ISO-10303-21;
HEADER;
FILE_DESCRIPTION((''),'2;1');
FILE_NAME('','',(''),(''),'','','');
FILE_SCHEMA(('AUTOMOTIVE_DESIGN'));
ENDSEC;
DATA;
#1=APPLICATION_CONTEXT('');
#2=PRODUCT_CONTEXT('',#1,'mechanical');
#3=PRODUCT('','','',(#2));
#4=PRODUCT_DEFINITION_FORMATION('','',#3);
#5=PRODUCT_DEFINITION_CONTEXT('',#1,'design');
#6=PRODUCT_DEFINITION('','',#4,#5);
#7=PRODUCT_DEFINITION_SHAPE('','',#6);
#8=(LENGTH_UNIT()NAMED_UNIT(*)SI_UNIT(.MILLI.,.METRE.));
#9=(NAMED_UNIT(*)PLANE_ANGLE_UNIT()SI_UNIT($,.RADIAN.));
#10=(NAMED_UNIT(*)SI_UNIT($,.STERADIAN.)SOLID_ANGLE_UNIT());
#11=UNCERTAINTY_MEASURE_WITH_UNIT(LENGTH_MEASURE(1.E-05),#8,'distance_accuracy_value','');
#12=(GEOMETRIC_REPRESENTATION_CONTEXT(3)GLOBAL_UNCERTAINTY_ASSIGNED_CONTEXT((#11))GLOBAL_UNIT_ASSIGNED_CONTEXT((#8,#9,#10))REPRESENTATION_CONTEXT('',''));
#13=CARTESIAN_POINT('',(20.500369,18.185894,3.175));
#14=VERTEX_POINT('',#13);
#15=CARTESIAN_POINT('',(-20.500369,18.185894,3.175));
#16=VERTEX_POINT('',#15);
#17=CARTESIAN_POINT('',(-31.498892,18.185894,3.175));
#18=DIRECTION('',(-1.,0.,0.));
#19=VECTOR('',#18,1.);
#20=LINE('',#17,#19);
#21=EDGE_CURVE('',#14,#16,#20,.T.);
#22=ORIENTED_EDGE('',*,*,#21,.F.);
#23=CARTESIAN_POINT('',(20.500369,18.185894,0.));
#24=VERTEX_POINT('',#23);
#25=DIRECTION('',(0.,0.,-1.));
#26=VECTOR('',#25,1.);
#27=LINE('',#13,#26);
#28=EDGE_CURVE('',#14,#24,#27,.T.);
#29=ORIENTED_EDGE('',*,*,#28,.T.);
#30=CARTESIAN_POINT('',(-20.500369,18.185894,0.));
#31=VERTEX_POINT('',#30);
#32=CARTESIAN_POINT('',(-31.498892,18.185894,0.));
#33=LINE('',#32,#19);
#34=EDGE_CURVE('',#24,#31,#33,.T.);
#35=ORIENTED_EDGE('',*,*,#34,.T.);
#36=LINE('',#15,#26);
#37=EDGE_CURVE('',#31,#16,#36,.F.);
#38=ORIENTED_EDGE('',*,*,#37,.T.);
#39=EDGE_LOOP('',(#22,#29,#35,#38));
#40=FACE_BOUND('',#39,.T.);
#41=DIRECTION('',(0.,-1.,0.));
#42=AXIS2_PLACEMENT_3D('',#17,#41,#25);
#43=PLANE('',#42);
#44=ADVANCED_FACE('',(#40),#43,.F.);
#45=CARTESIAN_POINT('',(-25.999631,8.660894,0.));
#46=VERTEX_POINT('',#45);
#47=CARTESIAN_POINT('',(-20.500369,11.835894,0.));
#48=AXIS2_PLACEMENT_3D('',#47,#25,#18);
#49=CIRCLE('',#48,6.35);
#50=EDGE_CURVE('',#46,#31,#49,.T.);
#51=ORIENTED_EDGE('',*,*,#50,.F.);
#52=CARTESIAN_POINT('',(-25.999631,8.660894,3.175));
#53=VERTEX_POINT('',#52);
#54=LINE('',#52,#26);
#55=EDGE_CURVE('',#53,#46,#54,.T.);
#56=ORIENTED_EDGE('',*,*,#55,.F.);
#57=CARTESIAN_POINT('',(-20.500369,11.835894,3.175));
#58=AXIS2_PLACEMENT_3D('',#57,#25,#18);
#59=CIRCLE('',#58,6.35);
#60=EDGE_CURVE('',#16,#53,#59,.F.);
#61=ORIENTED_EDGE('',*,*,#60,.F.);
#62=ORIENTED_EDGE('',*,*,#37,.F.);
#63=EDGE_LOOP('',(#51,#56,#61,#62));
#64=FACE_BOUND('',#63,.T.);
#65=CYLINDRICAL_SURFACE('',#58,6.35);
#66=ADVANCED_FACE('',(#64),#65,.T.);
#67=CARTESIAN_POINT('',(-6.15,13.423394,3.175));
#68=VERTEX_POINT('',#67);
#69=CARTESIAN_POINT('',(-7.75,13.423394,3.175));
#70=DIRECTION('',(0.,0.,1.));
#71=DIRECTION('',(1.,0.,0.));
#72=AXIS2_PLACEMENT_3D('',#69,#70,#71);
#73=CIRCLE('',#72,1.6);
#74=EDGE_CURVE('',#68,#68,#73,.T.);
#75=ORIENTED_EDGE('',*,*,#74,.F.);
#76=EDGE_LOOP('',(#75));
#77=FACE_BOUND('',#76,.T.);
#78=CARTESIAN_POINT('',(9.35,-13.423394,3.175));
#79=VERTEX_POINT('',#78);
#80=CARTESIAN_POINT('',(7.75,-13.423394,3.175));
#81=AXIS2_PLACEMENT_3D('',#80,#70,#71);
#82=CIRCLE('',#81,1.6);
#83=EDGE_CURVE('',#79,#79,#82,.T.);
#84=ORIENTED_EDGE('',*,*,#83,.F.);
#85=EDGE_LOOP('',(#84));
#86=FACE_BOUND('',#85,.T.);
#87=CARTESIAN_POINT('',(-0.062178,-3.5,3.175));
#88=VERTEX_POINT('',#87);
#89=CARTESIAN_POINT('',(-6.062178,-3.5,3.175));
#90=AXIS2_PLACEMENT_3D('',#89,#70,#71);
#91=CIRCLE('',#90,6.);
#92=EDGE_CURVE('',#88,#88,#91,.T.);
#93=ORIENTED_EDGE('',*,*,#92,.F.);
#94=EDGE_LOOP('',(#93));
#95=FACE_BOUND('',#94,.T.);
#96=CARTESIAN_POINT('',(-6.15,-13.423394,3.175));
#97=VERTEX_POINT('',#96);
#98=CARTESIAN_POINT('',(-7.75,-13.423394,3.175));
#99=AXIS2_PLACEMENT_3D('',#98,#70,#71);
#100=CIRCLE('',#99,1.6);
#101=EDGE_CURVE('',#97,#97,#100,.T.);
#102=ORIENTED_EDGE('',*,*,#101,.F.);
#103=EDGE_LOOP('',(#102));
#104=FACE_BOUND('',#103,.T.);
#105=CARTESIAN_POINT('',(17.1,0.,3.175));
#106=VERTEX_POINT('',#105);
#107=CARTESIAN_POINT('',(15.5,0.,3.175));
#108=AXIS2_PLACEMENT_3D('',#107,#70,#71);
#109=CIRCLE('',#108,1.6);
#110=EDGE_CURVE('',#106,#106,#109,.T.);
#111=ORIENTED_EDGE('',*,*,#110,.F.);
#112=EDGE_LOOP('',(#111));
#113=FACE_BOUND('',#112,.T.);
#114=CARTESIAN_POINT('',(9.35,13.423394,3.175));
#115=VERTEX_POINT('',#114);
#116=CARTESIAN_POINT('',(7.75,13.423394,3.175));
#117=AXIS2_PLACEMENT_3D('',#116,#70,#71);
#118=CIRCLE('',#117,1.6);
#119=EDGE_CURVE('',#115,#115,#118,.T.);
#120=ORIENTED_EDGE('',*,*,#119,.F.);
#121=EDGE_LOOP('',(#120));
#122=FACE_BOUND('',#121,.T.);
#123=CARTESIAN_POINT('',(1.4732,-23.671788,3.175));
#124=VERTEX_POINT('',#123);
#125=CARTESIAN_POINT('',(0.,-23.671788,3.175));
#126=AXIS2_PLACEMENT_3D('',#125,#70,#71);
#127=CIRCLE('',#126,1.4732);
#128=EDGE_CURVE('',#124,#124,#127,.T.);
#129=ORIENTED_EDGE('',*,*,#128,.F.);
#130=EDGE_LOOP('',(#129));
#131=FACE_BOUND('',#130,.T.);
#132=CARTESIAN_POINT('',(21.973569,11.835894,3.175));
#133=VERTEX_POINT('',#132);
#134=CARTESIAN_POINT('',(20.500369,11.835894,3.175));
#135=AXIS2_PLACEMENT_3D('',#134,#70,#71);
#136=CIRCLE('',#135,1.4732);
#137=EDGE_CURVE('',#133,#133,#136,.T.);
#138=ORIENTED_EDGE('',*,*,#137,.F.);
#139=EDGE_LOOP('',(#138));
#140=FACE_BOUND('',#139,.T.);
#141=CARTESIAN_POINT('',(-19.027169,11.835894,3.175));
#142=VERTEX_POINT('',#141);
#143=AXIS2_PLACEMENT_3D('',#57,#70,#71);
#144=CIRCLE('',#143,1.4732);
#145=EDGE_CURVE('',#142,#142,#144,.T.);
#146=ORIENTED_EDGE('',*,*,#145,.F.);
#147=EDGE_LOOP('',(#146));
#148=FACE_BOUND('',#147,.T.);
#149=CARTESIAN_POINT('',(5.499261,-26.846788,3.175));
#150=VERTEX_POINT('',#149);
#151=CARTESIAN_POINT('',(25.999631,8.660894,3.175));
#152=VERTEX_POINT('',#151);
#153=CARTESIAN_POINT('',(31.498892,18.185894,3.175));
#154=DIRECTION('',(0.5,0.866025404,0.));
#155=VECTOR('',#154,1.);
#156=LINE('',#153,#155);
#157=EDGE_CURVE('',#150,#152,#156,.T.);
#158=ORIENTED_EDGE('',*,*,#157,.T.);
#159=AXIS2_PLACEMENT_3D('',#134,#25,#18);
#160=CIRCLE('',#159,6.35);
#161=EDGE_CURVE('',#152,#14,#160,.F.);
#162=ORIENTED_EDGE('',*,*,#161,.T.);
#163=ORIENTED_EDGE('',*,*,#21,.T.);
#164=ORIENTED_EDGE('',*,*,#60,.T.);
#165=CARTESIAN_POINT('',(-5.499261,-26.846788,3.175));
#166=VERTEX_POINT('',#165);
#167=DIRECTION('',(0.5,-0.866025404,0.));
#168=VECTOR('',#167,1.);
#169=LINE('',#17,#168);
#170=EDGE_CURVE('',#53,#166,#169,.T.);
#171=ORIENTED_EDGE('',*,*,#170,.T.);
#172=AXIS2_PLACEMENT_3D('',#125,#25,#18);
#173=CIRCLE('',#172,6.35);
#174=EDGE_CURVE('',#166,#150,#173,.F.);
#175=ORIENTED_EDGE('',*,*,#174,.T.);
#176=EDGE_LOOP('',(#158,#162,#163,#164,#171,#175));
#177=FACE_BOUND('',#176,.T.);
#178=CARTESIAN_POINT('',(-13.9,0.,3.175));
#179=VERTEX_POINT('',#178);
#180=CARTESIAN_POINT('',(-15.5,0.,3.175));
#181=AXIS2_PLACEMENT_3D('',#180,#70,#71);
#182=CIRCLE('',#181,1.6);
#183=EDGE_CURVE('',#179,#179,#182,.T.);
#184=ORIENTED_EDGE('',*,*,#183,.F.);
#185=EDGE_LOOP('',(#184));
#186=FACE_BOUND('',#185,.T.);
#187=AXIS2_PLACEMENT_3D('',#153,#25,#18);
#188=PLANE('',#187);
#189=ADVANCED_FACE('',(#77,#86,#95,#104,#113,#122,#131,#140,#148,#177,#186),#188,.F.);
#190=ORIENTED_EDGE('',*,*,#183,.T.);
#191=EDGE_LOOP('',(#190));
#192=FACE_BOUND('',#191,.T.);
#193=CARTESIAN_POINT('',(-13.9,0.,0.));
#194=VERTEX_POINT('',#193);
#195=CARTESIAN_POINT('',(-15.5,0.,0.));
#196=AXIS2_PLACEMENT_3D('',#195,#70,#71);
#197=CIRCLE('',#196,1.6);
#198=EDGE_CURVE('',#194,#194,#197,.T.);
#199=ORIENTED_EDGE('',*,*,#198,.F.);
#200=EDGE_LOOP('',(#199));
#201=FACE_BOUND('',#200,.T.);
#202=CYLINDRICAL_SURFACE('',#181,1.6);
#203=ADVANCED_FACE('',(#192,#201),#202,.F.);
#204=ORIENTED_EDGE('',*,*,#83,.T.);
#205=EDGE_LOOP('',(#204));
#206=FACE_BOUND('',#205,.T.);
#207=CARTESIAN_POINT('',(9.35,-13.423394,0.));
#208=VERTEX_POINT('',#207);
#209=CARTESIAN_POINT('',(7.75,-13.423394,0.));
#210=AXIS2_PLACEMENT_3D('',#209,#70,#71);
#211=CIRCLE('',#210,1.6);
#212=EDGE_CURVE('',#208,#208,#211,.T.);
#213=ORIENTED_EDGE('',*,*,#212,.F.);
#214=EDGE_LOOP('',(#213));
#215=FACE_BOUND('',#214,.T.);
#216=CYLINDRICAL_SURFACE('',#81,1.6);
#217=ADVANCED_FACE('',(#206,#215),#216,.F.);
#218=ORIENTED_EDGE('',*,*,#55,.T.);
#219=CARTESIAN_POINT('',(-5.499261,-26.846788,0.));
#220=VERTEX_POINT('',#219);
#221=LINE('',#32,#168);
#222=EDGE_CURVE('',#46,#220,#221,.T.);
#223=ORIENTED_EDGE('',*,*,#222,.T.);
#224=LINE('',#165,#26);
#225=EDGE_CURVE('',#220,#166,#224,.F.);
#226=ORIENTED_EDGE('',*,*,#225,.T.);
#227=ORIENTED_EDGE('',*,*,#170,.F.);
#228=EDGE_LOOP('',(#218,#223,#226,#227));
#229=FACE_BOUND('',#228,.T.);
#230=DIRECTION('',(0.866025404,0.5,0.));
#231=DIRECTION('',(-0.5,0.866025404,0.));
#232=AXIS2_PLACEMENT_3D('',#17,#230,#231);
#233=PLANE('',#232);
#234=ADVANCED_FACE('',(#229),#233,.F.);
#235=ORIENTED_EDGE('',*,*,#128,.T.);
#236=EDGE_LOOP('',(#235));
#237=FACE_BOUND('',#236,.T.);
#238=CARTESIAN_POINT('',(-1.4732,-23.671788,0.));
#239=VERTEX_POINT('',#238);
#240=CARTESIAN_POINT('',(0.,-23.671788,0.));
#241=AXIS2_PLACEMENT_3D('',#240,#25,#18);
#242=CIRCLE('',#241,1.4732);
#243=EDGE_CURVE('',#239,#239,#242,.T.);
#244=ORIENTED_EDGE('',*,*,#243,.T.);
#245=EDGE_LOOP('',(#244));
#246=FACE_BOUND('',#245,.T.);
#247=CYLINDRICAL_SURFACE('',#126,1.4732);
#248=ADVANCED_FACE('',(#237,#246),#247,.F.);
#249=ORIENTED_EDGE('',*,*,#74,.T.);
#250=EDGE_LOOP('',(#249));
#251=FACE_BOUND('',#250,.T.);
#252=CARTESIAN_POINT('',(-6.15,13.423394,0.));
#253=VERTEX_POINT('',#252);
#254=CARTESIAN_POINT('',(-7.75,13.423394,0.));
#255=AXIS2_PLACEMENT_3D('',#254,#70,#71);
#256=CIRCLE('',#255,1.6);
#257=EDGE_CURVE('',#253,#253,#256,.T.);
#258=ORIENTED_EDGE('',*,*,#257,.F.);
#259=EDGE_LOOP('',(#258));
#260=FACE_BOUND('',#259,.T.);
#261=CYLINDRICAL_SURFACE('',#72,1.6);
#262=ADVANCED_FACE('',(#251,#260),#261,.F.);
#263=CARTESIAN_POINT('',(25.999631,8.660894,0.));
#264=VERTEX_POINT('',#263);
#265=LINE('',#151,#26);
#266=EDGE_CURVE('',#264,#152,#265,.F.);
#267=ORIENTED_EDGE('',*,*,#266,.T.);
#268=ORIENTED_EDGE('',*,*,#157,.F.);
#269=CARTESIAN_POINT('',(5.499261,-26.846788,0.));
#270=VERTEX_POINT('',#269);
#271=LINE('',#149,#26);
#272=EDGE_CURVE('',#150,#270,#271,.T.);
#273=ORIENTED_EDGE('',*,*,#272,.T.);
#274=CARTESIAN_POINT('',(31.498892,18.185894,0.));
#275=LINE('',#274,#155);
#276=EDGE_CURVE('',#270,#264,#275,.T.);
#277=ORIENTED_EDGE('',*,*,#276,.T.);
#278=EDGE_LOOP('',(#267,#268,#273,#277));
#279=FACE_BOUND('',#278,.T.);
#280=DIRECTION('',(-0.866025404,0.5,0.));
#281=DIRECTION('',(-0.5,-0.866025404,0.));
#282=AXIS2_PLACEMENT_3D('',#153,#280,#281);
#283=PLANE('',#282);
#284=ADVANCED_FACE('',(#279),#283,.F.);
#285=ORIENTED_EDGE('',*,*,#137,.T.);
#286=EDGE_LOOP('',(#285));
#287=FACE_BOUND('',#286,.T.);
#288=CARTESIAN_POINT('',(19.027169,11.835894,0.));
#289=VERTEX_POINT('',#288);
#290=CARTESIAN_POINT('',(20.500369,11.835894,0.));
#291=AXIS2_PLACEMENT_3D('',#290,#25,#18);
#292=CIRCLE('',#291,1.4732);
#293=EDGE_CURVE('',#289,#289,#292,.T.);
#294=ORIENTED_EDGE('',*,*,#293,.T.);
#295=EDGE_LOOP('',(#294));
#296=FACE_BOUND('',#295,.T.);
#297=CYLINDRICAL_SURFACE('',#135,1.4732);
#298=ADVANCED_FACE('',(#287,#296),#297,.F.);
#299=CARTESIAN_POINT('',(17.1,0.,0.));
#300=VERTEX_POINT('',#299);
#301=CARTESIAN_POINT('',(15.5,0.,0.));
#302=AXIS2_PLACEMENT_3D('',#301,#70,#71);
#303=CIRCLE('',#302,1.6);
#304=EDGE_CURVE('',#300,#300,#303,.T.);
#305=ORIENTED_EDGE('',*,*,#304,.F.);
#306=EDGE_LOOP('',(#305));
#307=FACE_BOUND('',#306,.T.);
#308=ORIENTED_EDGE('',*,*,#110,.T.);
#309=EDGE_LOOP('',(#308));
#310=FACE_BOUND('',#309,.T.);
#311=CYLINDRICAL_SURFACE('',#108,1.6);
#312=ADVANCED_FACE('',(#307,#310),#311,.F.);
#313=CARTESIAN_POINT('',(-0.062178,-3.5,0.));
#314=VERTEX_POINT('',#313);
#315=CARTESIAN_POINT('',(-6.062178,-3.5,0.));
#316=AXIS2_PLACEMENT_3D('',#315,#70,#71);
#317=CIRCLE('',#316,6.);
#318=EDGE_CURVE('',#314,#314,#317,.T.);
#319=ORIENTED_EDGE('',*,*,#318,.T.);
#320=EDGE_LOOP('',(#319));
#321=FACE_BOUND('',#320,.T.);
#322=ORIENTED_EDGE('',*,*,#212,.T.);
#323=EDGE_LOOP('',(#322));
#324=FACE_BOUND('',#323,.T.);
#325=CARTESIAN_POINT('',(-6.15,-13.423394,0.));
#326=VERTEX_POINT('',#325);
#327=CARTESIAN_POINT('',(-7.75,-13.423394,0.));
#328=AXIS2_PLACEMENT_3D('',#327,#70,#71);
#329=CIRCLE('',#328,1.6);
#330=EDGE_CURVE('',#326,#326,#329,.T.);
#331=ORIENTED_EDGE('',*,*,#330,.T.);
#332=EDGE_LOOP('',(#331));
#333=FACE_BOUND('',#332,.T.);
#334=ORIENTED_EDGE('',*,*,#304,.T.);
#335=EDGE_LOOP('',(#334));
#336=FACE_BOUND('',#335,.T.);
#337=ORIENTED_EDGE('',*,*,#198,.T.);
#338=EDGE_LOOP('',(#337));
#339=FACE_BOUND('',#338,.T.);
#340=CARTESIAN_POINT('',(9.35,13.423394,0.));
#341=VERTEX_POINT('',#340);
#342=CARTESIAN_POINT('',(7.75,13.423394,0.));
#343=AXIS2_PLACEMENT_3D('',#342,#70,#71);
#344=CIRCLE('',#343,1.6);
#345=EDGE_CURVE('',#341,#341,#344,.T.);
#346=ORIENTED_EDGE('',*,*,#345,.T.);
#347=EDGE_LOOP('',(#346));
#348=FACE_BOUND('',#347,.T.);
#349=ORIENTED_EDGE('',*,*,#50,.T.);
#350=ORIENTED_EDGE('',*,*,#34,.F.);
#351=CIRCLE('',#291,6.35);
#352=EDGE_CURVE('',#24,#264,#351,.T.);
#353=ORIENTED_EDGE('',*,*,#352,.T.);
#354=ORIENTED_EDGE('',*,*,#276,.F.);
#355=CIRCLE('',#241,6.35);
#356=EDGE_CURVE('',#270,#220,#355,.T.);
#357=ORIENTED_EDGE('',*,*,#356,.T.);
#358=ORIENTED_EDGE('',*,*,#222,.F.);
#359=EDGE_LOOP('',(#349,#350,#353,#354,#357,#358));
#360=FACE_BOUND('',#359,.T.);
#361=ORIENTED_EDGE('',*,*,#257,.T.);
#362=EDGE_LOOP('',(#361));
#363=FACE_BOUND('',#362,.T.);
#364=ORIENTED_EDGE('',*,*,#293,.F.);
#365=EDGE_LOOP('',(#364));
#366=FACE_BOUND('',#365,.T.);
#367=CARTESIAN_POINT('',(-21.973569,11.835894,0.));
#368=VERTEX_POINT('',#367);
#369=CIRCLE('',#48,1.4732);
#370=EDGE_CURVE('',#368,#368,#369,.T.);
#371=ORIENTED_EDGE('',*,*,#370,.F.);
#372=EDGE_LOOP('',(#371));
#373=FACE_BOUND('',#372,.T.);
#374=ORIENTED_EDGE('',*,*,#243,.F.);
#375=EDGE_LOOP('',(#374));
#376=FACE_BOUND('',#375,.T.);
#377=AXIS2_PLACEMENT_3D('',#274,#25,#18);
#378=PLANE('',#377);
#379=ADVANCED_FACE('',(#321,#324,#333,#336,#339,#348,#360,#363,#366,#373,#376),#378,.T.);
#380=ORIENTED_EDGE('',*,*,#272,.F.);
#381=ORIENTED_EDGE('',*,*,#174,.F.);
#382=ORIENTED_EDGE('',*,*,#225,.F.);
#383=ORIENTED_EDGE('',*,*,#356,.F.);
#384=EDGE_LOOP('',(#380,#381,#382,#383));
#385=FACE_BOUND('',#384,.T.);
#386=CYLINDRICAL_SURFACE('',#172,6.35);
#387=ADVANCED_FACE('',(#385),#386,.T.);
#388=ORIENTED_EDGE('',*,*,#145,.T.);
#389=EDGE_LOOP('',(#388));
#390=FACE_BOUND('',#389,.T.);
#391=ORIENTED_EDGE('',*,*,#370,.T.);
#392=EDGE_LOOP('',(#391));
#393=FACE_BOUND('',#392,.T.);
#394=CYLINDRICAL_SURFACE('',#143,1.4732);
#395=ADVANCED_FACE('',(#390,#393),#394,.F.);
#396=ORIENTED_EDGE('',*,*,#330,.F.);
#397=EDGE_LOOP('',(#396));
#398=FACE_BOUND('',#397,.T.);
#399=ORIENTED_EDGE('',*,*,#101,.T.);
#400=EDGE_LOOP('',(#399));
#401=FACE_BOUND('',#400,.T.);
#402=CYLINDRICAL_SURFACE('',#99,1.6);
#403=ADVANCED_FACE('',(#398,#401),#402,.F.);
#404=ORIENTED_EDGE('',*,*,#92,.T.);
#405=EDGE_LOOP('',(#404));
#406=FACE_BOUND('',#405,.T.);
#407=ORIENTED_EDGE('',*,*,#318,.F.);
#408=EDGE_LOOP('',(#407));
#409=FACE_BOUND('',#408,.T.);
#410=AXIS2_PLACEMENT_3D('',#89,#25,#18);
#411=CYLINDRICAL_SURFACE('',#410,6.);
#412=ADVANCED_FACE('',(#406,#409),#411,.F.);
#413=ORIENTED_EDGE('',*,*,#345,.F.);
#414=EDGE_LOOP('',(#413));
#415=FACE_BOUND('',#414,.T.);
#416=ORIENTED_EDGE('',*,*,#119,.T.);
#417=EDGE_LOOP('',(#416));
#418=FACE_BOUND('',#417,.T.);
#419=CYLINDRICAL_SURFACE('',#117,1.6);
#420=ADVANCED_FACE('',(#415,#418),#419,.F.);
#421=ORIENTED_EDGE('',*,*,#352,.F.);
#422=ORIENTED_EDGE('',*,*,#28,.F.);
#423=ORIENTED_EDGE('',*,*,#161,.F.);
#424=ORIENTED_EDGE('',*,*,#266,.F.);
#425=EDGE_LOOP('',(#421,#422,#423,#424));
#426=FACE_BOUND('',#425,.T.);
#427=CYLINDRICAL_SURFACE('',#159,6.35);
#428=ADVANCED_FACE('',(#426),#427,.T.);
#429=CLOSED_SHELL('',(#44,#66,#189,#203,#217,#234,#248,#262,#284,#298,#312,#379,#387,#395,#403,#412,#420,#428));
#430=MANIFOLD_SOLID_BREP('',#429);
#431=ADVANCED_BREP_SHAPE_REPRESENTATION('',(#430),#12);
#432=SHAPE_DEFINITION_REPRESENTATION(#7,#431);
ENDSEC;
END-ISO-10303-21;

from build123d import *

# Parameters (mm, degrees)
SKETCH1_R                 = 6
BOSS_EXTRUDE1_DEPTH       = 3.175
M3_CLEARANCE_HOLE1_D      = 3.2
FILLET1_R                 = 6.35
F_4_CLEARANCE_HOLE1_D     = 2.9464
F_4_CLEARANCE_HOLE1_DEPTH = 3.302
F_4_CLEARANCE_HOLE1_TIP   = 0.885187864


with BuildPart() as part:
    # Sketch1 → Boss-Extrude1 (new body)
    with BuildSketch(Plane.XY):
        Polygon((-31.498891971, 18.185893759), (0, -36.371787517), (31.498891971, 18.185893759), align=None)
        with Locations((-6.062177826, -3.5)):
            Circle(SKETCH1_R, mode=Mode.SUBTRACT)
    extrude(amount=BOSS_EXTRUDE1_DEPTH)

    # M3 Clearance Hole1 (through all)
    with Locations(Plane(origin=(-27.388360069, 15.242769311, 3.175), x_dir=(1, 0, 0), z_dir=(0, 0, 1))):
        with Locations((19.638360069, -1.819375553), (35.138360069, -1.819375553), (42.888360069, -15.242769311), (11.888360069, -15.242769311), (19.638360069, -28.66616307), (35.138360069, -28.66616307)):
            Hole(M3_CLEARANCE_HOLE1_D / 2)

    # Fillet1
    fillet1_edges = [part.edges().sort_by_distance(p)[0] for p in [
        (31.498891971, 18.185893759, 1.5875),
        (0, -36.371787517, 1.5875),
        (-31.498891971, 18.185893759, 1.5875),
    ]]
    fillet(fillet1_edges, radius=FILLET1_R)

    # #4 Clearance Hole1
    with Locations(Plane(origin=(-21.085137788, 23.004512958, 3.175), x_dir=(1, 0, 0), z_dir=(0, 0, 1))):
        with Locations((0.584768445, -11.1686192), (41.585507131, -11.1686192), (21.085137788, -46.676300475)):
            Hole(F_4_CLEARANCE_HOLE1_D / 2, depth=F_4_CLEARANCE_HOLE1_DEPTH)
            with Locations((0, 0, -(F_4_CLEARANCE_HOLE1_DEPTH + F_4_CLEARANCE_HOLE1_TIP / 2))):  # 118° drill point
                Cone(0, F_4_CLEARANCE_HOLE1_D / 2, F_4_CLEARANCE_HOLE1_TIP, mode=Mode.SUBTRACT)


solid = part.part
